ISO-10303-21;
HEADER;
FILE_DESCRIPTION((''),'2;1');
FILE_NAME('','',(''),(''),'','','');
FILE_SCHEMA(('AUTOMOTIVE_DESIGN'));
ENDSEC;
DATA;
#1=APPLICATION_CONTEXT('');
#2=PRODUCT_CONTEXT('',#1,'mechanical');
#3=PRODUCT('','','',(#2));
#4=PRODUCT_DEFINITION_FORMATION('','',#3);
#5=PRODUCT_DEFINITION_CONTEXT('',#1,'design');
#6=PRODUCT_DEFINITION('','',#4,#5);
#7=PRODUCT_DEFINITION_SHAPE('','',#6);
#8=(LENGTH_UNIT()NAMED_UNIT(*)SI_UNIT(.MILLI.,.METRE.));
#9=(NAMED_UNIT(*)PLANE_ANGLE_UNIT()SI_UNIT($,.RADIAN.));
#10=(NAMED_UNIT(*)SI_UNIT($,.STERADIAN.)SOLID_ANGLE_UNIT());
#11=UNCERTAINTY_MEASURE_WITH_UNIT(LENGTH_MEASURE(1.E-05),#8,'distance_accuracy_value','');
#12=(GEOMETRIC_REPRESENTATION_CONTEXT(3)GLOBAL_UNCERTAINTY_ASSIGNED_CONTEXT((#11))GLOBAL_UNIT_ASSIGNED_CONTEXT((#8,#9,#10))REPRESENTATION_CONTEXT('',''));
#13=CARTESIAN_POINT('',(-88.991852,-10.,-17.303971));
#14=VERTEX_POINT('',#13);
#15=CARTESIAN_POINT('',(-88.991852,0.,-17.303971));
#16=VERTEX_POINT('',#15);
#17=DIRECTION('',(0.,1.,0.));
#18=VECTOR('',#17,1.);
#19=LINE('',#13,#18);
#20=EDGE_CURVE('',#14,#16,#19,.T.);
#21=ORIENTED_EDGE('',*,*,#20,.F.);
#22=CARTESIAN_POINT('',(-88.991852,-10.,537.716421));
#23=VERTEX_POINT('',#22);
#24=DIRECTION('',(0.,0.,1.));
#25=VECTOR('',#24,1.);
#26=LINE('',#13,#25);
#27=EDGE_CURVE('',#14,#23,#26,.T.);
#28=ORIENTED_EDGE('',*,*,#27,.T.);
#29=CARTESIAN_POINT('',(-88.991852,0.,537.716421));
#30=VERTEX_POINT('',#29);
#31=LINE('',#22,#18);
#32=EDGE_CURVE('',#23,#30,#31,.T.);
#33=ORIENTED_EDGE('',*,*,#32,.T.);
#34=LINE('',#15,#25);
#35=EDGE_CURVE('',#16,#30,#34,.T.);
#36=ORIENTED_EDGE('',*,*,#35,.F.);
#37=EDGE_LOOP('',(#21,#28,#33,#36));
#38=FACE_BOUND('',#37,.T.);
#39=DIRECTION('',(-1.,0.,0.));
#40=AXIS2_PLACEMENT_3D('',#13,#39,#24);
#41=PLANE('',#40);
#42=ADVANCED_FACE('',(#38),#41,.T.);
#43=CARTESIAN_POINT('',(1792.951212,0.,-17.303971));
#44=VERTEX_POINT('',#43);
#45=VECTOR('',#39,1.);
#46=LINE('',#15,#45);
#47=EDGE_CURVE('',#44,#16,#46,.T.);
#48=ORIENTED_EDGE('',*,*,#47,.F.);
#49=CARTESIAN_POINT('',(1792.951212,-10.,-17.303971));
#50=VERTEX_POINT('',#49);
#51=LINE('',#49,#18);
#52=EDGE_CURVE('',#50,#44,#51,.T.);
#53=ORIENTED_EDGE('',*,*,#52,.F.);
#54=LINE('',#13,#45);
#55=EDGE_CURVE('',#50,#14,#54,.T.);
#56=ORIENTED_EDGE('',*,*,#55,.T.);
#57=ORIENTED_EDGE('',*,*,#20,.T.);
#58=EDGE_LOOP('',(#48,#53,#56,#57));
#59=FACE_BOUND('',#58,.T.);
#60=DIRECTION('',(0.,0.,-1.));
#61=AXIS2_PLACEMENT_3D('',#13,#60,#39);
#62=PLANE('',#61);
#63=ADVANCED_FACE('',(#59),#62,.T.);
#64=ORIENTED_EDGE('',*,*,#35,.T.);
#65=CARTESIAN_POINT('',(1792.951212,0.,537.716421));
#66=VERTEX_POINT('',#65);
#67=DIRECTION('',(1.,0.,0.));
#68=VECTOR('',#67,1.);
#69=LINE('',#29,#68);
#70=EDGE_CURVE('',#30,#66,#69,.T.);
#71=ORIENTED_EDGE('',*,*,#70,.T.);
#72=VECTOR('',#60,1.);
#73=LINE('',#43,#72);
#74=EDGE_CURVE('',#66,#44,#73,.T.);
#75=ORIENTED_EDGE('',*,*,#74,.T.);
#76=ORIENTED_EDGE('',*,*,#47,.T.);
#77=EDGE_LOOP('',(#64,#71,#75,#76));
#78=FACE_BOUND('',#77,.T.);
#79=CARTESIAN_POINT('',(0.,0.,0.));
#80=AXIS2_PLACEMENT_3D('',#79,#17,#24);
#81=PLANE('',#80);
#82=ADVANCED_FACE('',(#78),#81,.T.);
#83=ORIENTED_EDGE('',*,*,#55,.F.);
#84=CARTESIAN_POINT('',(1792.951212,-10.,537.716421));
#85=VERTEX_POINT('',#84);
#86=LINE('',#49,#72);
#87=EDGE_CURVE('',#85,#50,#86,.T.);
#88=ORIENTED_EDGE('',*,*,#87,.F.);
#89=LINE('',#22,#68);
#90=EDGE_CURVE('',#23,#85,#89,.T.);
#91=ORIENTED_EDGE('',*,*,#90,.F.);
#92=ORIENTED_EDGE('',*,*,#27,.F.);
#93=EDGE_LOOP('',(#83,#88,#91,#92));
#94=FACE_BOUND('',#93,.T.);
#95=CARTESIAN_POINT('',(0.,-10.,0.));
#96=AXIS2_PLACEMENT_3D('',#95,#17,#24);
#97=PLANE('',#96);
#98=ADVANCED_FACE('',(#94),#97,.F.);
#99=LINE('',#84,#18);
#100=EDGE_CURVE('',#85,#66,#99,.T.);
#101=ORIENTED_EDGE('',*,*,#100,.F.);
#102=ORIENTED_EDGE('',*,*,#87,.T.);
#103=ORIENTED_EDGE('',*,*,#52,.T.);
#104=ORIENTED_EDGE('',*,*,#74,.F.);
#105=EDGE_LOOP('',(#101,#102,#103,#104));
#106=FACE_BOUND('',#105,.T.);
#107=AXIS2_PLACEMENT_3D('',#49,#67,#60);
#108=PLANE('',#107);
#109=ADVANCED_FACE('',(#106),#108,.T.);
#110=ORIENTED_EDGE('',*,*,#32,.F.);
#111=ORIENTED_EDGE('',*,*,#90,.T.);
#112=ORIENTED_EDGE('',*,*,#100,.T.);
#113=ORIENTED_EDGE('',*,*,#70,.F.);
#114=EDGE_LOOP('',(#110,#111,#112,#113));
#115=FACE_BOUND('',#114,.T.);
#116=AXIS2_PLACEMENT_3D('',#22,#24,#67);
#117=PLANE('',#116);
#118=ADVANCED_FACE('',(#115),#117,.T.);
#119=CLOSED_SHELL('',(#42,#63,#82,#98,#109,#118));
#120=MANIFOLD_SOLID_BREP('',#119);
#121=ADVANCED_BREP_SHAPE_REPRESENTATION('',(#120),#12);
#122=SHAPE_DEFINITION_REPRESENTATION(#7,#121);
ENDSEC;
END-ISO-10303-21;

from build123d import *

# Parameters (mm, degrees)
SKETCH1_W           = 1881.943063781
SKETCH1_H           = 555.020391766
BOSS_EXTRUDE1_DEPTH = 10


with BuildPart() as part:
    # Sketch1 → Boss-Extrude1 (new body)
    with BuildSketch(Plane(origin=(0, 0, 0), x_dir=(1, 0, 0), z_dir=(0, 1, 0))):
        with Locations((851.979680279, -260.206224736)):
            Rectangle(SKETCH1_W, SKETCH1_H)
    extrude(amount=-BOSS_EXTRUDE1_DEPTH)


solid = part.part
